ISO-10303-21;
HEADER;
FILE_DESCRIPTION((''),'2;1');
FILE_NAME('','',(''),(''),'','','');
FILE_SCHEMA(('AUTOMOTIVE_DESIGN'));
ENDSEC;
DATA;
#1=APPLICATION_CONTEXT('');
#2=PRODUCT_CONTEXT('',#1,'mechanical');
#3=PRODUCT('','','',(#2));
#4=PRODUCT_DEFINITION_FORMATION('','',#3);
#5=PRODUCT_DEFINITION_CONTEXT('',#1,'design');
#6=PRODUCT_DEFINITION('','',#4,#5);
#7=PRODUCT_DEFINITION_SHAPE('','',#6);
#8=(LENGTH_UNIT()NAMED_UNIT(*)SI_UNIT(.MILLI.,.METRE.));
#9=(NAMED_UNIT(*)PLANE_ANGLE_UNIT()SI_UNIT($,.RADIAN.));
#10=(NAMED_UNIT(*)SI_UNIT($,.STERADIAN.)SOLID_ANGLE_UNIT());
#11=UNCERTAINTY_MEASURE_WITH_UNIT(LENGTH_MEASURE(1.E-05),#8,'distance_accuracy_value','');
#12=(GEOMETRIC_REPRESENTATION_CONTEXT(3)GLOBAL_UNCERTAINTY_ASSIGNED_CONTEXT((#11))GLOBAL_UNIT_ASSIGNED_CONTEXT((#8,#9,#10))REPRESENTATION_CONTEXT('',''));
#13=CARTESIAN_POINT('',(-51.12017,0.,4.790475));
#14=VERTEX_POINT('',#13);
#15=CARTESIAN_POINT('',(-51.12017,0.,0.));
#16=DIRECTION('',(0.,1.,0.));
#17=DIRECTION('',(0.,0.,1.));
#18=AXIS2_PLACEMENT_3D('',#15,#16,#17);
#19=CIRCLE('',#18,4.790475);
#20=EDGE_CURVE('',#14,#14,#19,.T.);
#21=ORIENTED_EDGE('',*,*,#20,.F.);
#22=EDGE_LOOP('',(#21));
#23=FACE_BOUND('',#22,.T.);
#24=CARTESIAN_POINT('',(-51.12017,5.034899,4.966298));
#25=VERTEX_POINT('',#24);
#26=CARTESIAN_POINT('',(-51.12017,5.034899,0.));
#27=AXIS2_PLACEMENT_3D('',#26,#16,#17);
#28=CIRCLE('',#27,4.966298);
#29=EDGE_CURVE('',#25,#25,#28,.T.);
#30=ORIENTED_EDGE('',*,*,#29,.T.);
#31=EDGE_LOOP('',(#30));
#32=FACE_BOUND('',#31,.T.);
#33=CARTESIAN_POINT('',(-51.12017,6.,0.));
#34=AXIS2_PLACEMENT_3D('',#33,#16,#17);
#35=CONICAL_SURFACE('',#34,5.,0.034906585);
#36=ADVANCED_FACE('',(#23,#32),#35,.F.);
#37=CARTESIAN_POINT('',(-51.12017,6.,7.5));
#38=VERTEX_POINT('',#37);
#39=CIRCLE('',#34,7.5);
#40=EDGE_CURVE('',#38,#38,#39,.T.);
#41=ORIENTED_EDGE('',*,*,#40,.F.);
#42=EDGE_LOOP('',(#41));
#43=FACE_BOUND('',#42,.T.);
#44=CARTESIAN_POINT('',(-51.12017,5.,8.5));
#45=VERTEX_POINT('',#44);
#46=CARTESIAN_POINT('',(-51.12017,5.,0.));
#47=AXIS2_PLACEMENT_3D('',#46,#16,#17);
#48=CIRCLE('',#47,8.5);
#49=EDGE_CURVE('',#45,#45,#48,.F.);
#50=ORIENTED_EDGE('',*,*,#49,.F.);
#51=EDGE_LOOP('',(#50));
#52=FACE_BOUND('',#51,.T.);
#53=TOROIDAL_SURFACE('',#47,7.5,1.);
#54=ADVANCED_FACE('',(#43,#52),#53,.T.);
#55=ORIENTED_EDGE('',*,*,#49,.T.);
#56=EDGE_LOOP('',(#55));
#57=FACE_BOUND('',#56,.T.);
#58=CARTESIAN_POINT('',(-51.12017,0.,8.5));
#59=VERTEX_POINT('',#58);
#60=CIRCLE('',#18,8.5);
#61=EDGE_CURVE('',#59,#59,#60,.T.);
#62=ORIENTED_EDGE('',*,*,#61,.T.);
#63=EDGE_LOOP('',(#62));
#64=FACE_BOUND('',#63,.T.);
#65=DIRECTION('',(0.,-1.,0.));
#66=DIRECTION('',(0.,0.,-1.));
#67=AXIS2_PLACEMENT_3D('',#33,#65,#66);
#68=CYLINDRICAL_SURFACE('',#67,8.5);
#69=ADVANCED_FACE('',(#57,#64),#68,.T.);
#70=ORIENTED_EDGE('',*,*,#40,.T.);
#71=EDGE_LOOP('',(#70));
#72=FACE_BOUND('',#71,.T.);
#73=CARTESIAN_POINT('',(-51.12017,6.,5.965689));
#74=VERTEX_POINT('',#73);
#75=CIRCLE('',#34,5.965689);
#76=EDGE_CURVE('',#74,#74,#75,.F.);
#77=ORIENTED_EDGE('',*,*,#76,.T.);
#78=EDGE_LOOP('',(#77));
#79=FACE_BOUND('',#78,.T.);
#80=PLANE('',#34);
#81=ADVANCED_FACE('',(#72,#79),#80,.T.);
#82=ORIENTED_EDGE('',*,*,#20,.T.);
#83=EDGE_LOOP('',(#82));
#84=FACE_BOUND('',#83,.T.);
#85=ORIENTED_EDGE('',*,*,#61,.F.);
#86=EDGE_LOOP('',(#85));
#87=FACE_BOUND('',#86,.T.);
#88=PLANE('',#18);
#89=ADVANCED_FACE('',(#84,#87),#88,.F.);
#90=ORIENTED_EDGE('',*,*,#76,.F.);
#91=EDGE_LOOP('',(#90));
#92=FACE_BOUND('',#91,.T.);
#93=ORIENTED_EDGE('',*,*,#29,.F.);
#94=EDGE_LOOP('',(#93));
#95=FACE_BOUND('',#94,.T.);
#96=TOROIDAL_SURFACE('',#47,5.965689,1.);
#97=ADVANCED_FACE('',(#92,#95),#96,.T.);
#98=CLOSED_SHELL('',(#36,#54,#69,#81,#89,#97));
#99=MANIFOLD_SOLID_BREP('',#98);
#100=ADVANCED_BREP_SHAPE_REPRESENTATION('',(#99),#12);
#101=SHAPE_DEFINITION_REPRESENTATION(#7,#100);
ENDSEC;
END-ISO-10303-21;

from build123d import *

# Parameters (mm, degrees)
SKETCH1_R           = 8.5
BOSS_EXTRUDE1_DEPTH = 6
FILLET2_R           = 1
SKETCH2_R           = 5
CUT_EXTRUDE4_DEPTH  = 6
CUT_EXTRUDE4_DRAFT  = -2
FILLET5_R           = 1


with BuildPart() as part:
    # Sketch1 → Boss-Extrude1 (new body)
    with BuildSketch(Plane(origin=(0, 0, 0), x_dir=(1, 0, 0), z_dir=(0, 1, 0))):
        with Locations(Location((-51.120170416, 0, 0), (0, 0, 270))):
            Circle(SKETCH1_R)
    extrude(amount=BOSS_EXTRUDE1_DEPTH)

    # Fillet2
    fillet2_edges = [part.edges().sort_by_distance(p)[0] for p in [
        (-51.120170416, 6, -8.5),
    ]]
    fillet(fillet2_edges, radius=FILLET2_R)


with BuildPart() as cut_extrude4_tool:
    # Sketch2 → Cut-Extrude4 (with draft: the straight prism first)
    with BuildSketch(Plane(origin=(0, 6, 0), x_dir=(1, 0, 0), z_dir=(0, 1, 0))):
        with Locations((-51.120170416, 0)):
            Circle(SKETCH2_R)
    extrude(amount=-CUT_EXTRUDE4_DEPTH)
    # Cut-Extrude4: the draft: its side faces are tilted about the plane it starts from
    cut_extrude4_sides = [cut_extrude4_tool.faces().sort_by_distance(p)[0] for p in [
        (-56.120170416, 3, 0),
    ]]
    draft(cut_extrude4_sides, Plane(origin=(0, 6, 0), x_dir=(1, 0, 0), z_dir=(0, 1, 0)), CUT_EXTRUDE4_DRAFT)


with BuildPart() as part_1:
    add(part.part)

    # Cut-Extrude4: cut by cut_extrude4_tool
    add(cut_extrude4_tool.part, mode=Mode.SUBTRACT)

    # Fillet5
    fillet5_edges = [part_1.edges().sort_by_distance(p)[0] for p in [
        (-56.120170416, 6, 0),
    ]]
    fillet(fillet5_edges, radius=FILLET5_R)


solid = part_1.part
